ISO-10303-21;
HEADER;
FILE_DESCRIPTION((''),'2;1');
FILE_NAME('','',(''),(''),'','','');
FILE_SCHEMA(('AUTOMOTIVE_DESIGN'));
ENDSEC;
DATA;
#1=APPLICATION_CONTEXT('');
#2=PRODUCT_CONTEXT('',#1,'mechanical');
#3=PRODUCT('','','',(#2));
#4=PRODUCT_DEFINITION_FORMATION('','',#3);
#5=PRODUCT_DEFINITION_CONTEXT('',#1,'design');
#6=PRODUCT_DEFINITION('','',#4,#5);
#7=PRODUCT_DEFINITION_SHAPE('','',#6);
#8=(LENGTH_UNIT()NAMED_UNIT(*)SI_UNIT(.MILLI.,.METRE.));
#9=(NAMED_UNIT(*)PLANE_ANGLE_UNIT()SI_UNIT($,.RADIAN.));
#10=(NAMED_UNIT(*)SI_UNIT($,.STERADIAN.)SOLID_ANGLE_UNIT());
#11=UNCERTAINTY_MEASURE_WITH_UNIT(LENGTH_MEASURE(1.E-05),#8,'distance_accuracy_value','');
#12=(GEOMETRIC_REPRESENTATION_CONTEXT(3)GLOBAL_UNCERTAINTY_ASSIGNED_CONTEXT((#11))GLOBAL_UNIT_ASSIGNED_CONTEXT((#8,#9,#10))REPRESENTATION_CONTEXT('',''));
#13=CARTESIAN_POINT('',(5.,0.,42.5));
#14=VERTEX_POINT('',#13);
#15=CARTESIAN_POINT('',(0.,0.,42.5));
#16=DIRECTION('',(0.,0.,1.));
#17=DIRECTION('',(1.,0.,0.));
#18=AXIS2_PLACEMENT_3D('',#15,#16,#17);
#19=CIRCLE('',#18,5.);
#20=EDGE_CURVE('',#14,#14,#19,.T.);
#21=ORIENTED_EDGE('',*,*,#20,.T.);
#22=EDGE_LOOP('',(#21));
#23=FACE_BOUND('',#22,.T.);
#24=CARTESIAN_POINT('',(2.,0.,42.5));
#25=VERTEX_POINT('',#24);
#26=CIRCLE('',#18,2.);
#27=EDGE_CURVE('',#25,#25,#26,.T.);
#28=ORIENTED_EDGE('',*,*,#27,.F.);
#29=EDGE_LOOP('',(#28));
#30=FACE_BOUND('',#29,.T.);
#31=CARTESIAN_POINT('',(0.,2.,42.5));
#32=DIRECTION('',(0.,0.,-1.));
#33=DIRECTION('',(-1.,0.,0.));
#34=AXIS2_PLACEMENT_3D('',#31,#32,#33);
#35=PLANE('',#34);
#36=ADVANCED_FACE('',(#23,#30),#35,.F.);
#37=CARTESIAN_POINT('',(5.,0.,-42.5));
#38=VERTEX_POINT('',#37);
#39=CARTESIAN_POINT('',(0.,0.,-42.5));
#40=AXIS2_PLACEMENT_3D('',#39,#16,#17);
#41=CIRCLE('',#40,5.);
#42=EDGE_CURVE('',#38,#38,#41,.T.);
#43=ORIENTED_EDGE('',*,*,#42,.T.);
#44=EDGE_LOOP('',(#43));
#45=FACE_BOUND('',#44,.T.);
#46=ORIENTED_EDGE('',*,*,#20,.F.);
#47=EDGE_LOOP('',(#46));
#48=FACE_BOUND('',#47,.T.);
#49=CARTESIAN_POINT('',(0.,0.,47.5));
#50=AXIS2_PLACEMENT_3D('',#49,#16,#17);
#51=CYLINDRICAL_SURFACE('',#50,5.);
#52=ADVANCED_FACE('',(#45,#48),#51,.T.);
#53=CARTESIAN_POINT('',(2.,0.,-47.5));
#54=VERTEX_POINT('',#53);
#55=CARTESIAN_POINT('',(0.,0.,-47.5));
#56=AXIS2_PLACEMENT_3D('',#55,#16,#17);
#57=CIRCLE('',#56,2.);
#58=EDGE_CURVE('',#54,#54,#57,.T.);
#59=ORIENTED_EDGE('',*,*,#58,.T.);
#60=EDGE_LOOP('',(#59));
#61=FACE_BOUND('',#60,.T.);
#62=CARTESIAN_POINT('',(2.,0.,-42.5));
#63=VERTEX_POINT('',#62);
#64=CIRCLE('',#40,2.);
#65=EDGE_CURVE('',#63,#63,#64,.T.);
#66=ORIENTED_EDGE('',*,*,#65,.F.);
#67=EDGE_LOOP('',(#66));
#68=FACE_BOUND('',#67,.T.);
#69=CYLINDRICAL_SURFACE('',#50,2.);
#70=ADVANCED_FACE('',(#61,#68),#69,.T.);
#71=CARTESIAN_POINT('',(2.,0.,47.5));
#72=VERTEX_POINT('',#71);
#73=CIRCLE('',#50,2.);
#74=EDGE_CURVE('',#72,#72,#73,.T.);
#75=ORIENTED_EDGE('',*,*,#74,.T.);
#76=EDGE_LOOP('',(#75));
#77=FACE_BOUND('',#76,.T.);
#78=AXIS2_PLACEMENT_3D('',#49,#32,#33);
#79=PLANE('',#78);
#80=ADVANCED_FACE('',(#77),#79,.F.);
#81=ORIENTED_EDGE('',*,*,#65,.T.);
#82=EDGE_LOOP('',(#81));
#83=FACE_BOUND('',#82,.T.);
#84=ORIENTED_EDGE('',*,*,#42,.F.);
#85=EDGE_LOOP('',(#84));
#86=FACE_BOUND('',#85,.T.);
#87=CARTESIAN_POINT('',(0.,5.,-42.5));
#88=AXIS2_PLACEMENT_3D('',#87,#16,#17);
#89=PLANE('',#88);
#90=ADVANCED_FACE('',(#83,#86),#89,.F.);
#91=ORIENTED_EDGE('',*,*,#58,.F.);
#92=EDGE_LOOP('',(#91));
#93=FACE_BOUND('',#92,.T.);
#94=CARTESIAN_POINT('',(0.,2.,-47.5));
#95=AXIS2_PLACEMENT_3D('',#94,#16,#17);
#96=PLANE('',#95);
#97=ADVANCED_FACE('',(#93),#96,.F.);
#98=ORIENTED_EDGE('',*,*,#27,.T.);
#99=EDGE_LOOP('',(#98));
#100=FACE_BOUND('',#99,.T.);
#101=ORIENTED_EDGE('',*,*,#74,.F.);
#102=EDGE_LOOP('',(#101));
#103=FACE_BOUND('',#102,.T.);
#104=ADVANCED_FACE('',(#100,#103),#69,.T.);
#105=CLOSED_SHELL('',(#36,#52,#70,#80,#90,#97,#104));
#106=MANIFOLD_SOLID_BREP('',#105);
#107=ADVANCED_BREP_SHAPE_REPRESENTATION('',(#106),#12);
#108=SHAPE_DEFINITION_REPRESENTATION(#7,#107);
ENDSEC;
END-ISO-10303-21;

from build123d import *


with BuildPart() as part:
    # Sketch2 → Revolve1 (revolve)
    with BuildSketch(Plane(origin=(0, 0, 0), x_dir=(0, 0, -1), z_dir=(1, 0, 0))):
        Polygon((-47.5, 0), (47.5, 0), (47.5, 2), (42.5, 2), (42.5, 5), (-42.5, 5), (-42.5, 2), (-47.5, 2), align=None)
    revolve(axis=Axis((0, 0, 47.5), (0, 0, -1)))


solid = part.part
